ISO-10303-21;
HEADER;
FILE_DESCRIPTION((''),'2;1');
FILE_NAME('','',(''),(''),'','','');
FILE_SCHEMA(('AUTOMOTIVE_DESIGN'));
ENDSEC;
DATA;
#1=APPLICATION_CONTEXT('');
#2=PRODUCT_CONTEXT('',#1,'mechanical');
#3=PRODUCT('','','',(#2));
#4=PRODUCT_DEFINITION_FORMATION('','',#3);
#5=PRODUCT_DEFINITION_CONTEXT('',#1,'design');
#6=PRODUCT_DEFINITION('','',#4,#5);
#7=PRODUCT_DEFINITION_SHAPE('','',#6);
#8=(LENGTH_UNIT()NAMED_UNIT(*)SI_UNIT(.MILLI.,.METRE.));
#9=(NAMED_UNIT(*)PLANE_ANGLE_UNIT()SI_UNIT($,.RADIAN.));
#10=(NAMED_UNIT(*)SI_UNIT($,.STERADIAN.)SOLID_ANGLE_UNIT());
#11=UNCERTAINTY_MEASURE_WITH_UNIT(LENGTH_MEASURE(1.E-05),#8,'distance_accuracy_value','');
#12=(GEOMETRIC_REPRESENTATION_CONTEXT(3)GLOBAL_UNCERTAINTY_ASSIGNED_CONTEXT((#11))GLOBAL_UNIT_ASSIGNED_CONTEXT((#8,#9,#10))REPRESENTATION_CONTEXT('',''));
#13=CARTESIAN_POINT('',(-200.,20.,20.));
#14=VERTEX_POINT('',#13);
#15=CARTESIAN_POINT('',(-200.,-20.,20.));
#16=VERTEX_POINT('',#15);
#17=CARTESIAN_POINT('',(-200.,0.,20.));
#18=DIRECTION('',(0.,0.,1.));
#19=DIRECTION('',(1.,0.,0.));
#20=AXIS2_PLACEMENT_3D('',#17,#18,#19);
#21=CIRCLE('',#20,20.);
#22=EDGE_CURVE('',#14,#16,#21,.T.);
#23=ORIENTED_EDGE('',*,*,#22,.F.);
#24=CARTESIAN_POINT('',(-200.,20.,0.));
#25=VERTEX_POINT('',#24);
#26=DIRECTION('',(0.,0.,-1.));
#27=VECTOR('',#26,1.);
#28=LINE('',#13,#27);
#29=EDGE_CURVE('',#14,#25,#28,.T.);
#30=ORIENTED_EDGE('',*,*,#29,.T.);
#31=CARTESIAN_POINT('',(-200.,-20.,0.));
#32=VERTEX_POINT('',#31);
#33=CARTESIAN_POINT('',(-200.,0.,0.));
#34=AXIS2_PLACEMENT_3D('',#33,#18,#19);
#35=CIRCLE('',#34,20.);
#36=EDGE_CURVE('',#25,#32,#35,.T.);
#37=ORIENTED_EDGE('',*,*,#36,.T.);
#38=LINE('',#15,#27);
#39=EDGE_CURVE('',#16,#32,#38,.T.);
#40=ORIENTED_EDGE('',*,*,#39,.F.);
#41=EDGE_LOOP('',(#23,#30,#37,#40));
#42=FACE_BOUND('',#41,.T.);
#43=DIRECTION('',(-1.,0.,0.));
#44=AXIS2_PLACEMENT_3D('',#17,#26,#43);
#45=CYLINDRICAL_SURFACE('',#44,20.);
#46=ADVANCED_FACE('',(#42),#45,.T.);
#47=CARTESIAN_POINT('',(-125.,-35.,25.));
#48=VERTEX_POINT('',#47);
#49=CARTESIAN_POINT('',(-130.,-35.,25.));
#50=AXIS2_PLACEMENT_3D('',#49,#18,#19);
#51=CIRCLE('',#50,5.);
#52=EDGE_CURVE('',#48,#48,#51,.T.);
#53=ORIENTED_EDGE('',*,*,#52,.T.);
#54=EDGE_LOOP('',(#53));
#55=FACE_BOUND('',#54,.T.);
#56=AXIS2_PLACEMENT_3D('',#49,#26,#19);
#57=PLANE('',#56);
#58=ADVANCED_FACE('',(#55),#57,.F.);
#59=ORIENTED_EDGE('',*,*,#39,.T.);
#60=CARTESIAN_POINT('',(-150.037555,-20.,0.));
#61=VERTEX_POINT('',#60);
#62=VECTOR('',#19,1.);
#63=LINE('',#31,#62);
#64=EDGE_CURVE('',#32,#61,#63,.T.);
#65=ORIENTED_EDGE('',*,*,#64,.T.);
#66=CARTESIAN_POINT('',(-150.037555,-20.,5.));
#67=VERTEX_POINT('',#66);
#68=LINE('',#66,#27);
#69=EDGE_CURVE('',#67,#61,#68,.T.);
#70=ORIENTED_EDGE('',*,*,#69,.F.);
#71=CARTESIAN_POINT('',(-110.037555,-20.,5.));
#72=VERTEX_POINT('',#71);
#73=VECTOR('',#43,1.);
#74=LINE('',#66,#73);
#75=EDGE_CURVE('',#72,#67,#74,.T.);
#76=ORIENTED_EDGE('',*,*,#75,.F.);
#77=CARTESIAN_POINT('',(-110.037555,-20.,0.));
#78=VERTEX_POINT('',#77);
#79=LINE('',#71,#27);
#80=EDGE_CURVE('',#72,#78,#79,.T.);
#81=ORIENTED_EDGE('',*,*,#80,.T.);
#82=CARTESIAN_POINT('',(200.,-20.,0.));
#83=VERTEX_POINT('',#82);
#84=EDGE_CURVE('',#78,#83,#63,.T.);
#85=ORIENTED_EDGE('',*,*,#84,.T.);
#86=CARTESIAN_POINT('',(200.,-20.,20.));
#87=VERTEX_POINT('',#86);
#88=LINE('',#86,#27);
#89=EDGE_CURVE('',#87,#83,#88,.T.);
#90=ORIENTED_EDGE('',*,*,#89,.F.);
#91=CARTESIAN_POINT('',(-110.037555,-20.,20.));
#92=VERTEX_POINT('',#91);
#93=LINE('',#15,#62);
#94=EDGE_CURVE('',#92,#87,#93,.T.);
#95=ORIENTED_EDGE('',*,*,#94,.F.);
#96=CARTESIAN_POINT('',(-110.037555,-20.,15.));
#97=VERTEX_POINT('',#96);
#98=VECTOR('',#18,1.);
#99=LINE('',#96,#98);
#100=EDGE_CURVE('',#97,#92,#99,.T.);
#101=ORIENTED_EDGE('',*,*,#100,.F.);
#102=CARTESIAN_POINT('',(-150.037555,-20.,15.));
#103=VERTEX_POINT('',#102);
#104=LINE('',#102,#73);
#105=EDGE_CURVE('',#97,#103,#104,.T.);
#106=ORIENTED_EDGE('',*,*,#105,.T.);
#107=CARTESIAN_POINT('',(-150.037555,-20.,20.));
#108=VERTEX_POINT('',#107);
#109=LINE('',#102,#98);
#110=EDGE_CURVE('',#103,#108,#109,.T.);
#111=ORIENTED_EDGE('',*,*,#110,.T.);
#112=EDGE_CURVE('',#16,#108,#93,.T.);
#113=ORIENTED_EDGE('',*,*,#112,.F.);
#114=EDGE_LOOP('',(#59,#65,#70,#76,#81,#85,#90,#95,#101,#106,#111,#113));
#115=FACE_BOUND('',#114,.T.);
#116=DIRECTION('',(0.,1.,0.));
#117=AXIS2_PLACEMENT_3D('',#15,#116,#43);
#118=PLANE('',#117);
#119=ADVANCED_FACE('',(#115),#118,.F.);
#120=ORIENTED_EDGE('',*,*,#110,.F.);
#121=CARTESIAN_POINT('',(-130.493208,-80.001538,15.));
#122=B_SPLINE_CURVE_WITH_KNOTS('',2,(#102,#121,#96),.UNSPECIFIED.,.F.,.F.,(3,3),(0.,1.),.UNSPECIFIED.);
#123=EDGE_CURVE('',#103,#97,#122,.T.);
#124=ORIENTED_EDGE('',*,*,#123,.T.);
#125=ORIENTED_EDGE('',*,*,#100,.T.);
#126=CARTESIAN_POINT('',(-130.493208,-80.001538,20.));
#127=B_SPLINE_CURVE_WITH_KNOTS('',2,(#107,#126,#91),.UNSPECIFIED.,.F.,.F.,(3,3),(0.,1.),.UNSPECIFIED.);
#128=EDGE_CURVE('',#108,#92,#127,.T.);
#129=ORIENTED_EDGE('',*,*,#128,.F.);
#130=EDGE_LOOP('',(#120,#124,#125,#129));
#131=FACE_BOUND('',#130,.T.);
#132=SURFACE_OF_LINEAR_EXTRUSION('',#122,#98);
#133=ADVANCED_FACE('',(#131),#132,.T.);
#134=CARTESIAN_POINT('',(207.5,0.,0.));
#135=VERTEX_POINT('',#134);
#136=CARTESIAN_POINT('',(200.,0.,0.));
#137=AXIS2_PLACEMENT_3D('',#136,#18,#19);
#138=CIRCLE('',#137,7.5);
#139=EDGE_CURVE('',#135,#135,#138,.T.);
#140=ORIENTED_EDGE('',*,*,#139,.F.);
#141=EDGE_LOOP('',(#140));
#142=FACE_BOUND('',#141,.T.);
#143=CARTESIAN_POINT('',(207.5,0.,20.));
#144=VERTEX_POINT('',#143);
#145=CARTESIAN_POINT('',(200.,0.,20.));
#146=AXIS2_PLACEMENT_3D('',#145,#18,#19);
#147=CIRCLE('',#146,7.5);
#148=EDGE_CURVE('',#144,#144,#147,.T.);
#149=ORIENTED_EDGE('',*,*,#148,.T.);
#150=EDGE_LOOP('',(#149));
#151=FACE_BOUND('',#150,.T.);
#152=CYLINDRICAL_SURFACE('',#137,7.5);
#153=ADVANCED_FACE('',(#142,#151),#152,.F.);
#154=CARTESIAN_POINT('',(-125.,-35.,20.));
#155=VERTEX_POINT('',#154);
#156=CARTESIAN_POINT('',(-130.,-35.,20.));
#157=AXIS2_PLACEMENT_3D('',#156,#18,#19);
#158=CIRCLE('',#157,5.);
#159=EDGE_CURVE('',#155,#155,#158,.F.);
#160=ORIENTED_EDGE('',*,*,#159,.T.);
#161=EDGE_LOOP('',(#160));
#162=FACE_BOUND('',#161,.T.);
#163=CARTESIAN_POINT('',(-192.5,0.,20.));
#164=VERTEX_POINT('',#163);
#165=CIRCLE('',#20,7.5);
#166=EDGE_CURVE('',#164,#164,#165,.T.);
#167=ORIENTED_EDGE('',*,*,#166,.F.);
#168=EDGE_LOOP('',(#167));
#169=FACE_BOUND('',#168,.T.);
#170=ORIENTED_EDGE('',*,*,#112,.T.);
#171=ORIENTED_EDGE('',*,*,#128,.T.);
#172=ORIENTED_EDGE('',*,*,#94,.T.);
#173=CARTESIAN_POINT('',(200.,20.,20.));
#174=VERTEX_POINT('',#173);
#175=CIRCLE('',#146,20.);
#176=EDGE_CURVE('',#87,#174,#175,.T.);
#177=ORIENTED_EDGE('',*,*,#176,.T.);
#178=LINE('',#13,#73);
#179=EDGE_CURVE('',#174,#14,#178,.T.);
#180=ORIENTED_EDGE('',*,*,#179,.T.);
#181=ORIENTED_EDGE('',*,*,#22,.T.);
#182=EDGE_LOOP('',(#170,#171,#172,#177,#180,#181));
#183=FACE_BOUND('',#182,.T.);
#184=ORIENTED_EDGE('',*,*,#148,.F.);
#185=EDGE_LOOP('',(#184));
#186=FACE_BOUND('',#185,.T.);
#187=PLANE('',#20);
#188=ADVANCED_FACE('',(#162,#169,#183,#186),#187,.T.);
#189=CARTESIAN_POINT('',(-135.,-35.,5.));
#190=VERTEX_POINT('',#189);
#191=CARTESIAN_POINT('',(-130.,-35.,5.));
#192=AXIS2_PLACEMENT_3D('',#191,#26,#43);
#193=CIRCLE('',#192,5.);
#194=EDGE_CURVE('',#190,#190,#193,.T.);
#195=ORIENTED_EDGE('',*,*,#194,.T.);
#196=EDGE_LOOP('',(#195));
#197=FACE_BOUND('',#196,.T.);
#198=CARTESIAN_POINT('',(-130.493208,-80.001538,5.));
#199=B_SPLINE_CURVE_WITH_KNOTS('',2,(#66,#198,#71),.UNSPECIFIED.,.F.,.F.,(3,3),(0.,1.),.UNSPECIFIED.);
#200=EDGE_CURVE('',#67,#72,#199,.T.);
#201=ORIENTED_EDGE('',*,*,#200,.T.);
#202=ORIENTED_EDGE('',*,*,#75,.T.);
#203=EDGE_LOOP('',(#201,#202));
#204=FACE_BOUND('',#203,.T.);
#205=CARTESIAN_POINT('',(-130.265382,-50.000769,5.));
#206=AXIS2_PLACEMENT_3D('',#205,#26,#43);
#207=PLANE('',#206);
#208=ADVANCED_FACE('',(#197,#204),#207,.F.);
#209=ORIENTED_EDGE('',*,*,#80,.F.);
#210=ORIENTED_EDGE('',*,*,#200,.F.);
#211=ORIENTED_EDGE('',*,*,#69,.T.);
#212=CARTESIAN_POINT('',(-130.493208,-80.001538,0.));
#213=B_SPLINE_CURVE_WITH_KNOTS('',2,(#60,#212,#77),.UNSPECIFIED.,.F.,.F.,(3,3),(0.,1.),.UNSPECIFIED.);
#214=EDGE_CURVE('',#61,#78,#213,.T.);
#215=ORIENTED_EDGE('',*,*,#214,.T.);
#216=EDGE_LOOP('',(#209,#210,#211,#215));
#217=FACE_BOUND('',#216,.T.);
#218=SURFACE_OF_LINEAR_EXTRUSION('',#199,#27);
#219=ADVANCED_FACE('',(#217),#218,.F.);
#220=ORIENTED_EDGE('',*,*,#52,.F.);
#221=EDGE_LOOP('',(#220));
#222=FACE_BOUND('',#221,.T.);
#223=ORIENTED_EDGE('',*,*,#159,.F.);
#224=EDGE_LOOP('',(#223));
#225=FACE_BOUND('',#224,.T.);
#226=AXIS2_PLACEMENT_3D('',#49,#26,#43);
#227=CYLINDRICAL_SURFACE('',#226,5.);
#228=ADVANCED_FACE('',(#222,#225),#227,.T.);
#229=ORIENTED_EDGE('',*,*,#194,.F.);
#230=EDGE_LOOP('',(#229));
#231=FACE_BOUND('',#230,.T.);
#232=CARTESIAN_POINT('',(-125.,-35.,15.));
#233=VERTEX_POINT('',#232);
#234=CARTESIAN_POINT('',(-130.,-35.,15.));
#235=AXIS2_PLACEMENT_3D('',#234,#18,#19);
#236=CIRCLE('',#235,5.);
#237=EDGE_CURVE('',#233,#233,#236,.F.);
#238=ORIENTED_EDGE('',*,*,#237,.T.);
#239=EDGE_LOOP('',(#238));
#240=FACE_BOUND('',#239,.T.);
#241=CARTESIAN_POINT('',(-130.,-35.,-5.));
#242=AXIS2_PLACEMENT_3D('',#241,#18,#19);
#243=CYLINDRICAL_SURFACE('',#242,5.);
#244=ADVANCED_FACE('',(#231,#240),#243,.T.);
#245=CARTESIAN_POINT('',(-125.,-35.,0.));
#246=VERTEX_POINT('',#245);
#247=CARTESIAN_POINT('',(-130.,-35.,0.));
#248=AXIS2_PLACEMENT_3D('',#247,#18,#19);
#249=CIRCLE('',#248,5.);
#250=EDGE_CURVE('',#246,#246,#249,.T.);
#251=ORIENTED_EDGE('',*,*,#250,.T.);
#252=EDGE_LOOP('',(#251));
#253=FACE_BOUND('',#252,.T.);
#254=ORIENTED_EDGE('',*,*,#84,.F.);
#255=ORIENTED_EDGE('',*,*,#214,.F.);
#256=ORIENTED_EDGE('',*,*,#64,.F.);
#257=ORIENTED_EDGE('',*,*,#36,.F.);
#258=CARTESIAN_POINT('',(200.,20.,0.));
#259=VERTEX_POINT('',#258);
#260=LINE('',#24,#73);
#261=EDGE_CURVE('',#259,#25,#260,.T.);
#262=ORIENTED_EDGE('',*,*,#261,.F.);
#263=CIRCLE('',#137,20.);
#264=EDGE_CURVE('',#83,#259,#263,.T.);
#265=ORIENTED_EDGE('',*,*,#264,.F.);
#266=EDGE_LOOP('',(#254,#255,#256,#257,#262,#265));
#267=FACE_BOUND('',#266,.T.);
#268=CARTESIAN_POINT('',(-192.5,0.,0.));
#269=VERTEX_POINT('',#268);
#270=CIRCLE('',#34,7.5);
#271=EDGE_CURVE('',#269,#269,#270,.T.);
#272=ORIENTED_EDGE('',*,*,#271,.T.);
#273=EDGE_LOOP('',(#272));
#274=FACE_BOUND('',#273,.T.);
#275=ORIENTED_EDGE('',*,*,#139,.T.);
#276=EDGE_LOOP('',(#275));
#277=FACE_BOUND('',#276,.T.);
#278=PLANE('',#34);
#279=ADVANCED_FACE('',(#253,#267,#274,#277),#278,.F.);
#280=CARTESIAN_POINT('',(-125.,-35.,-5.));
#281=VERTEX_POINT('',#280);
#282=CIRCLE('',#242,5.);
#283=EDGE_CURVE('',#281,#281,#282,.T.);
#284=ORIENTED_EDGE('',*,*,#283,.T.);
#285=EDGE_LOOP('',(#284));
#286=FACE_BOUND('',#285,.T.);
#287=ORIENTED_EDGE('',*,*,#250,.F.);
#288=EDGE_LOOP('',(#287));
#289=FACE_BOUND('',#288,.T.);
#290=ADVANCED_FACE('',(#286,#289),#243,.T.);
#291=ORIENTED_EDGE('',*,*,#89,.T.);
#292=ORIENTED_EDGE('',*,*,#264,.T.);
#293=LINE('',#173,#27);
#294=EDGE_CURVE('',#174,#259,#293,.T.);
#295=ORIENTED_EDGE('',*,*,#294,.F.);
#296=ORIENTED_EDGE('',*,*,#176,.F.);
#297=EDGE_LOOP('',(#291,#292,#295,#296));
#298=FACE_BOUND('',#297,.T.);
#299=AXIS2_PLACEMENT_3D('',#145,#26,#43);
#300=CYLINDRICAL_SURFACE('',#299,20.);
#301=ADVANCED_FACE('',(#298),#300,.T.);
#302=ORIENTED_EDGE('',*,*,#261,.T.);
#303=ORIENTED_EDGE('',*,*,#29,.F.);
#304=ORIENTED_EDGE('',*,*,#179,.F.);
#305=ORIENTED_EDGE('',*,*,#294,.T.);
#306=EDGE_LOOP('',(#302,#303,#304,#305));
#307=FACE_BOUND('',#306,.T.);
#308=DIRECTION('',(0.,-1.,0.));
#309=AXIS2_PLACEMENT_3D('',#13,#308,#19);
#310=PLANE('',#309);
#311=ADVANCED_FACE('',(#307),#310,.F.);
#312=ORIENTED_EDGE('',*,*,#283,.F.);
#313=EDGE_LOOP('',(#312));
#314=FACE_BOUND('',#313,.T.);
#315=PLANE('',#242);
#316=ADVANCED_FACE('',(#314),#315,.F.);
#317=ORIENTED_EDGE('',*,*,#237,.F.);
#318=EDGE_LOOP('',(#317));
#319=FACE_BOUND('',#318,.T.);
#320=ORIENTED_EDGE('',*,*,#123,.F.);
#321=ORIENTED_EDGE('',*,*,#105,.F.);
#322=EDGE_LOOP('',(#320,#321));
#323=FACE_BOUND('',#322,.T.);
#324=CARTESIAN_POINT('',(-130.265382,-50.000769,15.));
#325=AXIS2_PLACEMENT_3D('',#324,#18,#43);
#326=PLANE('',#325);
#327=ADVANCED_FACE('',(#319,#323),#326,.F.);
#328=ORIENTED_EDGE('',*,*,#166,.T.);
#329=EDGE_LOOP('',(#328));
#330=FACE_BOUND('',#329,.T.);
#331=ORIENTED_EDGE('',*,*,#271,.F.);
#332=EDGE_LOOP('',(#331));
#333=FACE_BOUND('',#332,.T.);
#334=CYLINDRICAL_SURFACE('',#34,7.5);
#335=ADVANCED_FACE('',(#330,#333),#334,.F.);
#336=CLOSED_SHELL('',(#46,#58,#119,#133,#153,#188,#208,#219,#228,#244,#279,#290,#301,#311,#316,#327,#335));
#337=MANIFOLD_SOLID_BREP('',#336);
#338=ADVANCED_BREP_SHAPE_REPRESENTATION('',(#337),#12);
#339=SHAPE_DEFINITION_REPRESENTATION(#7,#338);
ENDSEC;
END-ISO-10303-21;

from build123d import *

# Parameters (mm, degrees)
BOSS_EXTRUDE1_DEPTH = 20
SKETCH4_R           = 7.5
CUT_EXTRUDE1_DEPTH  = 20
BOSS_EXTRUDE2_DEPTH = 5
BOSS_EXTRUDE3_START = -5
SKETCH9_R           = 5
BOSS_EXTRUDE3_DEPTH = 15


with BuildPart() as part:
    # Sketch2 → Boss-Extrude1 (new body)
    with BuildSketch(Plane.XY):
        with BuildLine():
            Line((-200, 20), (200, 20))
            ThreePointArc((200, 20), (220, 0), (200, -20))
            Line((200, -20), (-200, -20))
            ThreePointArc((-200, -20), (-220, 0), (-200, 20))
        make_face()
    extrude(amount=BOSS_EXTRUDE1_DEPTH)

    # Sketch4 → Cut-Extrude1 (cut)
    with BuildSketch(Plane.XY.offset(20)):
        with Locations((-200, 0)):
            Circle(SKETCH4_R)
        with Locations((200, 0)):
            Circle(SKETCH4_R)
    extrude(amount=-CUT_EXTRUDE1_DEPTH, mode=Mode.SUBTRACT)

    # Sketch8 → Boss-Extrude2 (add)
    with BuildSketch(Plane.XY):
        with BuildLine():
            Line((-150.037555006, -20), (-110.037555006, -20))
            add(Edge.make_bspline(
                [(-150.037555006, -20), (-130.493208153, -80.001537629), (-110.037555006, -20)],
                knots=[0, 0, 0, 1, 1, 1], degree=2))
        make_face()
    boss_extrude2 = extrude(amount=BOSS_EXTRUDE2_DEPTH)

    # Sketch9 → Boss-Extrude3 (add)
    with BuildSketch(Plane.XY.offset(BOSS_EXTRUDE3_START)):
        with Locations((-130, -35)):
            Circle(SKETCH9_R)
    boss_extrude3 = extrude(amount=BOSS_EXTRUDE3_DEPTH)

    # Mirror2: Boss-Extrude2, Boss-Extrude3 across plane
    add(boss_extrude2.mirror(Plane.XY.offset(10)))
    add(boss_extrude3.mirror(Plane.XY.offset(10)))


solid = part.part
